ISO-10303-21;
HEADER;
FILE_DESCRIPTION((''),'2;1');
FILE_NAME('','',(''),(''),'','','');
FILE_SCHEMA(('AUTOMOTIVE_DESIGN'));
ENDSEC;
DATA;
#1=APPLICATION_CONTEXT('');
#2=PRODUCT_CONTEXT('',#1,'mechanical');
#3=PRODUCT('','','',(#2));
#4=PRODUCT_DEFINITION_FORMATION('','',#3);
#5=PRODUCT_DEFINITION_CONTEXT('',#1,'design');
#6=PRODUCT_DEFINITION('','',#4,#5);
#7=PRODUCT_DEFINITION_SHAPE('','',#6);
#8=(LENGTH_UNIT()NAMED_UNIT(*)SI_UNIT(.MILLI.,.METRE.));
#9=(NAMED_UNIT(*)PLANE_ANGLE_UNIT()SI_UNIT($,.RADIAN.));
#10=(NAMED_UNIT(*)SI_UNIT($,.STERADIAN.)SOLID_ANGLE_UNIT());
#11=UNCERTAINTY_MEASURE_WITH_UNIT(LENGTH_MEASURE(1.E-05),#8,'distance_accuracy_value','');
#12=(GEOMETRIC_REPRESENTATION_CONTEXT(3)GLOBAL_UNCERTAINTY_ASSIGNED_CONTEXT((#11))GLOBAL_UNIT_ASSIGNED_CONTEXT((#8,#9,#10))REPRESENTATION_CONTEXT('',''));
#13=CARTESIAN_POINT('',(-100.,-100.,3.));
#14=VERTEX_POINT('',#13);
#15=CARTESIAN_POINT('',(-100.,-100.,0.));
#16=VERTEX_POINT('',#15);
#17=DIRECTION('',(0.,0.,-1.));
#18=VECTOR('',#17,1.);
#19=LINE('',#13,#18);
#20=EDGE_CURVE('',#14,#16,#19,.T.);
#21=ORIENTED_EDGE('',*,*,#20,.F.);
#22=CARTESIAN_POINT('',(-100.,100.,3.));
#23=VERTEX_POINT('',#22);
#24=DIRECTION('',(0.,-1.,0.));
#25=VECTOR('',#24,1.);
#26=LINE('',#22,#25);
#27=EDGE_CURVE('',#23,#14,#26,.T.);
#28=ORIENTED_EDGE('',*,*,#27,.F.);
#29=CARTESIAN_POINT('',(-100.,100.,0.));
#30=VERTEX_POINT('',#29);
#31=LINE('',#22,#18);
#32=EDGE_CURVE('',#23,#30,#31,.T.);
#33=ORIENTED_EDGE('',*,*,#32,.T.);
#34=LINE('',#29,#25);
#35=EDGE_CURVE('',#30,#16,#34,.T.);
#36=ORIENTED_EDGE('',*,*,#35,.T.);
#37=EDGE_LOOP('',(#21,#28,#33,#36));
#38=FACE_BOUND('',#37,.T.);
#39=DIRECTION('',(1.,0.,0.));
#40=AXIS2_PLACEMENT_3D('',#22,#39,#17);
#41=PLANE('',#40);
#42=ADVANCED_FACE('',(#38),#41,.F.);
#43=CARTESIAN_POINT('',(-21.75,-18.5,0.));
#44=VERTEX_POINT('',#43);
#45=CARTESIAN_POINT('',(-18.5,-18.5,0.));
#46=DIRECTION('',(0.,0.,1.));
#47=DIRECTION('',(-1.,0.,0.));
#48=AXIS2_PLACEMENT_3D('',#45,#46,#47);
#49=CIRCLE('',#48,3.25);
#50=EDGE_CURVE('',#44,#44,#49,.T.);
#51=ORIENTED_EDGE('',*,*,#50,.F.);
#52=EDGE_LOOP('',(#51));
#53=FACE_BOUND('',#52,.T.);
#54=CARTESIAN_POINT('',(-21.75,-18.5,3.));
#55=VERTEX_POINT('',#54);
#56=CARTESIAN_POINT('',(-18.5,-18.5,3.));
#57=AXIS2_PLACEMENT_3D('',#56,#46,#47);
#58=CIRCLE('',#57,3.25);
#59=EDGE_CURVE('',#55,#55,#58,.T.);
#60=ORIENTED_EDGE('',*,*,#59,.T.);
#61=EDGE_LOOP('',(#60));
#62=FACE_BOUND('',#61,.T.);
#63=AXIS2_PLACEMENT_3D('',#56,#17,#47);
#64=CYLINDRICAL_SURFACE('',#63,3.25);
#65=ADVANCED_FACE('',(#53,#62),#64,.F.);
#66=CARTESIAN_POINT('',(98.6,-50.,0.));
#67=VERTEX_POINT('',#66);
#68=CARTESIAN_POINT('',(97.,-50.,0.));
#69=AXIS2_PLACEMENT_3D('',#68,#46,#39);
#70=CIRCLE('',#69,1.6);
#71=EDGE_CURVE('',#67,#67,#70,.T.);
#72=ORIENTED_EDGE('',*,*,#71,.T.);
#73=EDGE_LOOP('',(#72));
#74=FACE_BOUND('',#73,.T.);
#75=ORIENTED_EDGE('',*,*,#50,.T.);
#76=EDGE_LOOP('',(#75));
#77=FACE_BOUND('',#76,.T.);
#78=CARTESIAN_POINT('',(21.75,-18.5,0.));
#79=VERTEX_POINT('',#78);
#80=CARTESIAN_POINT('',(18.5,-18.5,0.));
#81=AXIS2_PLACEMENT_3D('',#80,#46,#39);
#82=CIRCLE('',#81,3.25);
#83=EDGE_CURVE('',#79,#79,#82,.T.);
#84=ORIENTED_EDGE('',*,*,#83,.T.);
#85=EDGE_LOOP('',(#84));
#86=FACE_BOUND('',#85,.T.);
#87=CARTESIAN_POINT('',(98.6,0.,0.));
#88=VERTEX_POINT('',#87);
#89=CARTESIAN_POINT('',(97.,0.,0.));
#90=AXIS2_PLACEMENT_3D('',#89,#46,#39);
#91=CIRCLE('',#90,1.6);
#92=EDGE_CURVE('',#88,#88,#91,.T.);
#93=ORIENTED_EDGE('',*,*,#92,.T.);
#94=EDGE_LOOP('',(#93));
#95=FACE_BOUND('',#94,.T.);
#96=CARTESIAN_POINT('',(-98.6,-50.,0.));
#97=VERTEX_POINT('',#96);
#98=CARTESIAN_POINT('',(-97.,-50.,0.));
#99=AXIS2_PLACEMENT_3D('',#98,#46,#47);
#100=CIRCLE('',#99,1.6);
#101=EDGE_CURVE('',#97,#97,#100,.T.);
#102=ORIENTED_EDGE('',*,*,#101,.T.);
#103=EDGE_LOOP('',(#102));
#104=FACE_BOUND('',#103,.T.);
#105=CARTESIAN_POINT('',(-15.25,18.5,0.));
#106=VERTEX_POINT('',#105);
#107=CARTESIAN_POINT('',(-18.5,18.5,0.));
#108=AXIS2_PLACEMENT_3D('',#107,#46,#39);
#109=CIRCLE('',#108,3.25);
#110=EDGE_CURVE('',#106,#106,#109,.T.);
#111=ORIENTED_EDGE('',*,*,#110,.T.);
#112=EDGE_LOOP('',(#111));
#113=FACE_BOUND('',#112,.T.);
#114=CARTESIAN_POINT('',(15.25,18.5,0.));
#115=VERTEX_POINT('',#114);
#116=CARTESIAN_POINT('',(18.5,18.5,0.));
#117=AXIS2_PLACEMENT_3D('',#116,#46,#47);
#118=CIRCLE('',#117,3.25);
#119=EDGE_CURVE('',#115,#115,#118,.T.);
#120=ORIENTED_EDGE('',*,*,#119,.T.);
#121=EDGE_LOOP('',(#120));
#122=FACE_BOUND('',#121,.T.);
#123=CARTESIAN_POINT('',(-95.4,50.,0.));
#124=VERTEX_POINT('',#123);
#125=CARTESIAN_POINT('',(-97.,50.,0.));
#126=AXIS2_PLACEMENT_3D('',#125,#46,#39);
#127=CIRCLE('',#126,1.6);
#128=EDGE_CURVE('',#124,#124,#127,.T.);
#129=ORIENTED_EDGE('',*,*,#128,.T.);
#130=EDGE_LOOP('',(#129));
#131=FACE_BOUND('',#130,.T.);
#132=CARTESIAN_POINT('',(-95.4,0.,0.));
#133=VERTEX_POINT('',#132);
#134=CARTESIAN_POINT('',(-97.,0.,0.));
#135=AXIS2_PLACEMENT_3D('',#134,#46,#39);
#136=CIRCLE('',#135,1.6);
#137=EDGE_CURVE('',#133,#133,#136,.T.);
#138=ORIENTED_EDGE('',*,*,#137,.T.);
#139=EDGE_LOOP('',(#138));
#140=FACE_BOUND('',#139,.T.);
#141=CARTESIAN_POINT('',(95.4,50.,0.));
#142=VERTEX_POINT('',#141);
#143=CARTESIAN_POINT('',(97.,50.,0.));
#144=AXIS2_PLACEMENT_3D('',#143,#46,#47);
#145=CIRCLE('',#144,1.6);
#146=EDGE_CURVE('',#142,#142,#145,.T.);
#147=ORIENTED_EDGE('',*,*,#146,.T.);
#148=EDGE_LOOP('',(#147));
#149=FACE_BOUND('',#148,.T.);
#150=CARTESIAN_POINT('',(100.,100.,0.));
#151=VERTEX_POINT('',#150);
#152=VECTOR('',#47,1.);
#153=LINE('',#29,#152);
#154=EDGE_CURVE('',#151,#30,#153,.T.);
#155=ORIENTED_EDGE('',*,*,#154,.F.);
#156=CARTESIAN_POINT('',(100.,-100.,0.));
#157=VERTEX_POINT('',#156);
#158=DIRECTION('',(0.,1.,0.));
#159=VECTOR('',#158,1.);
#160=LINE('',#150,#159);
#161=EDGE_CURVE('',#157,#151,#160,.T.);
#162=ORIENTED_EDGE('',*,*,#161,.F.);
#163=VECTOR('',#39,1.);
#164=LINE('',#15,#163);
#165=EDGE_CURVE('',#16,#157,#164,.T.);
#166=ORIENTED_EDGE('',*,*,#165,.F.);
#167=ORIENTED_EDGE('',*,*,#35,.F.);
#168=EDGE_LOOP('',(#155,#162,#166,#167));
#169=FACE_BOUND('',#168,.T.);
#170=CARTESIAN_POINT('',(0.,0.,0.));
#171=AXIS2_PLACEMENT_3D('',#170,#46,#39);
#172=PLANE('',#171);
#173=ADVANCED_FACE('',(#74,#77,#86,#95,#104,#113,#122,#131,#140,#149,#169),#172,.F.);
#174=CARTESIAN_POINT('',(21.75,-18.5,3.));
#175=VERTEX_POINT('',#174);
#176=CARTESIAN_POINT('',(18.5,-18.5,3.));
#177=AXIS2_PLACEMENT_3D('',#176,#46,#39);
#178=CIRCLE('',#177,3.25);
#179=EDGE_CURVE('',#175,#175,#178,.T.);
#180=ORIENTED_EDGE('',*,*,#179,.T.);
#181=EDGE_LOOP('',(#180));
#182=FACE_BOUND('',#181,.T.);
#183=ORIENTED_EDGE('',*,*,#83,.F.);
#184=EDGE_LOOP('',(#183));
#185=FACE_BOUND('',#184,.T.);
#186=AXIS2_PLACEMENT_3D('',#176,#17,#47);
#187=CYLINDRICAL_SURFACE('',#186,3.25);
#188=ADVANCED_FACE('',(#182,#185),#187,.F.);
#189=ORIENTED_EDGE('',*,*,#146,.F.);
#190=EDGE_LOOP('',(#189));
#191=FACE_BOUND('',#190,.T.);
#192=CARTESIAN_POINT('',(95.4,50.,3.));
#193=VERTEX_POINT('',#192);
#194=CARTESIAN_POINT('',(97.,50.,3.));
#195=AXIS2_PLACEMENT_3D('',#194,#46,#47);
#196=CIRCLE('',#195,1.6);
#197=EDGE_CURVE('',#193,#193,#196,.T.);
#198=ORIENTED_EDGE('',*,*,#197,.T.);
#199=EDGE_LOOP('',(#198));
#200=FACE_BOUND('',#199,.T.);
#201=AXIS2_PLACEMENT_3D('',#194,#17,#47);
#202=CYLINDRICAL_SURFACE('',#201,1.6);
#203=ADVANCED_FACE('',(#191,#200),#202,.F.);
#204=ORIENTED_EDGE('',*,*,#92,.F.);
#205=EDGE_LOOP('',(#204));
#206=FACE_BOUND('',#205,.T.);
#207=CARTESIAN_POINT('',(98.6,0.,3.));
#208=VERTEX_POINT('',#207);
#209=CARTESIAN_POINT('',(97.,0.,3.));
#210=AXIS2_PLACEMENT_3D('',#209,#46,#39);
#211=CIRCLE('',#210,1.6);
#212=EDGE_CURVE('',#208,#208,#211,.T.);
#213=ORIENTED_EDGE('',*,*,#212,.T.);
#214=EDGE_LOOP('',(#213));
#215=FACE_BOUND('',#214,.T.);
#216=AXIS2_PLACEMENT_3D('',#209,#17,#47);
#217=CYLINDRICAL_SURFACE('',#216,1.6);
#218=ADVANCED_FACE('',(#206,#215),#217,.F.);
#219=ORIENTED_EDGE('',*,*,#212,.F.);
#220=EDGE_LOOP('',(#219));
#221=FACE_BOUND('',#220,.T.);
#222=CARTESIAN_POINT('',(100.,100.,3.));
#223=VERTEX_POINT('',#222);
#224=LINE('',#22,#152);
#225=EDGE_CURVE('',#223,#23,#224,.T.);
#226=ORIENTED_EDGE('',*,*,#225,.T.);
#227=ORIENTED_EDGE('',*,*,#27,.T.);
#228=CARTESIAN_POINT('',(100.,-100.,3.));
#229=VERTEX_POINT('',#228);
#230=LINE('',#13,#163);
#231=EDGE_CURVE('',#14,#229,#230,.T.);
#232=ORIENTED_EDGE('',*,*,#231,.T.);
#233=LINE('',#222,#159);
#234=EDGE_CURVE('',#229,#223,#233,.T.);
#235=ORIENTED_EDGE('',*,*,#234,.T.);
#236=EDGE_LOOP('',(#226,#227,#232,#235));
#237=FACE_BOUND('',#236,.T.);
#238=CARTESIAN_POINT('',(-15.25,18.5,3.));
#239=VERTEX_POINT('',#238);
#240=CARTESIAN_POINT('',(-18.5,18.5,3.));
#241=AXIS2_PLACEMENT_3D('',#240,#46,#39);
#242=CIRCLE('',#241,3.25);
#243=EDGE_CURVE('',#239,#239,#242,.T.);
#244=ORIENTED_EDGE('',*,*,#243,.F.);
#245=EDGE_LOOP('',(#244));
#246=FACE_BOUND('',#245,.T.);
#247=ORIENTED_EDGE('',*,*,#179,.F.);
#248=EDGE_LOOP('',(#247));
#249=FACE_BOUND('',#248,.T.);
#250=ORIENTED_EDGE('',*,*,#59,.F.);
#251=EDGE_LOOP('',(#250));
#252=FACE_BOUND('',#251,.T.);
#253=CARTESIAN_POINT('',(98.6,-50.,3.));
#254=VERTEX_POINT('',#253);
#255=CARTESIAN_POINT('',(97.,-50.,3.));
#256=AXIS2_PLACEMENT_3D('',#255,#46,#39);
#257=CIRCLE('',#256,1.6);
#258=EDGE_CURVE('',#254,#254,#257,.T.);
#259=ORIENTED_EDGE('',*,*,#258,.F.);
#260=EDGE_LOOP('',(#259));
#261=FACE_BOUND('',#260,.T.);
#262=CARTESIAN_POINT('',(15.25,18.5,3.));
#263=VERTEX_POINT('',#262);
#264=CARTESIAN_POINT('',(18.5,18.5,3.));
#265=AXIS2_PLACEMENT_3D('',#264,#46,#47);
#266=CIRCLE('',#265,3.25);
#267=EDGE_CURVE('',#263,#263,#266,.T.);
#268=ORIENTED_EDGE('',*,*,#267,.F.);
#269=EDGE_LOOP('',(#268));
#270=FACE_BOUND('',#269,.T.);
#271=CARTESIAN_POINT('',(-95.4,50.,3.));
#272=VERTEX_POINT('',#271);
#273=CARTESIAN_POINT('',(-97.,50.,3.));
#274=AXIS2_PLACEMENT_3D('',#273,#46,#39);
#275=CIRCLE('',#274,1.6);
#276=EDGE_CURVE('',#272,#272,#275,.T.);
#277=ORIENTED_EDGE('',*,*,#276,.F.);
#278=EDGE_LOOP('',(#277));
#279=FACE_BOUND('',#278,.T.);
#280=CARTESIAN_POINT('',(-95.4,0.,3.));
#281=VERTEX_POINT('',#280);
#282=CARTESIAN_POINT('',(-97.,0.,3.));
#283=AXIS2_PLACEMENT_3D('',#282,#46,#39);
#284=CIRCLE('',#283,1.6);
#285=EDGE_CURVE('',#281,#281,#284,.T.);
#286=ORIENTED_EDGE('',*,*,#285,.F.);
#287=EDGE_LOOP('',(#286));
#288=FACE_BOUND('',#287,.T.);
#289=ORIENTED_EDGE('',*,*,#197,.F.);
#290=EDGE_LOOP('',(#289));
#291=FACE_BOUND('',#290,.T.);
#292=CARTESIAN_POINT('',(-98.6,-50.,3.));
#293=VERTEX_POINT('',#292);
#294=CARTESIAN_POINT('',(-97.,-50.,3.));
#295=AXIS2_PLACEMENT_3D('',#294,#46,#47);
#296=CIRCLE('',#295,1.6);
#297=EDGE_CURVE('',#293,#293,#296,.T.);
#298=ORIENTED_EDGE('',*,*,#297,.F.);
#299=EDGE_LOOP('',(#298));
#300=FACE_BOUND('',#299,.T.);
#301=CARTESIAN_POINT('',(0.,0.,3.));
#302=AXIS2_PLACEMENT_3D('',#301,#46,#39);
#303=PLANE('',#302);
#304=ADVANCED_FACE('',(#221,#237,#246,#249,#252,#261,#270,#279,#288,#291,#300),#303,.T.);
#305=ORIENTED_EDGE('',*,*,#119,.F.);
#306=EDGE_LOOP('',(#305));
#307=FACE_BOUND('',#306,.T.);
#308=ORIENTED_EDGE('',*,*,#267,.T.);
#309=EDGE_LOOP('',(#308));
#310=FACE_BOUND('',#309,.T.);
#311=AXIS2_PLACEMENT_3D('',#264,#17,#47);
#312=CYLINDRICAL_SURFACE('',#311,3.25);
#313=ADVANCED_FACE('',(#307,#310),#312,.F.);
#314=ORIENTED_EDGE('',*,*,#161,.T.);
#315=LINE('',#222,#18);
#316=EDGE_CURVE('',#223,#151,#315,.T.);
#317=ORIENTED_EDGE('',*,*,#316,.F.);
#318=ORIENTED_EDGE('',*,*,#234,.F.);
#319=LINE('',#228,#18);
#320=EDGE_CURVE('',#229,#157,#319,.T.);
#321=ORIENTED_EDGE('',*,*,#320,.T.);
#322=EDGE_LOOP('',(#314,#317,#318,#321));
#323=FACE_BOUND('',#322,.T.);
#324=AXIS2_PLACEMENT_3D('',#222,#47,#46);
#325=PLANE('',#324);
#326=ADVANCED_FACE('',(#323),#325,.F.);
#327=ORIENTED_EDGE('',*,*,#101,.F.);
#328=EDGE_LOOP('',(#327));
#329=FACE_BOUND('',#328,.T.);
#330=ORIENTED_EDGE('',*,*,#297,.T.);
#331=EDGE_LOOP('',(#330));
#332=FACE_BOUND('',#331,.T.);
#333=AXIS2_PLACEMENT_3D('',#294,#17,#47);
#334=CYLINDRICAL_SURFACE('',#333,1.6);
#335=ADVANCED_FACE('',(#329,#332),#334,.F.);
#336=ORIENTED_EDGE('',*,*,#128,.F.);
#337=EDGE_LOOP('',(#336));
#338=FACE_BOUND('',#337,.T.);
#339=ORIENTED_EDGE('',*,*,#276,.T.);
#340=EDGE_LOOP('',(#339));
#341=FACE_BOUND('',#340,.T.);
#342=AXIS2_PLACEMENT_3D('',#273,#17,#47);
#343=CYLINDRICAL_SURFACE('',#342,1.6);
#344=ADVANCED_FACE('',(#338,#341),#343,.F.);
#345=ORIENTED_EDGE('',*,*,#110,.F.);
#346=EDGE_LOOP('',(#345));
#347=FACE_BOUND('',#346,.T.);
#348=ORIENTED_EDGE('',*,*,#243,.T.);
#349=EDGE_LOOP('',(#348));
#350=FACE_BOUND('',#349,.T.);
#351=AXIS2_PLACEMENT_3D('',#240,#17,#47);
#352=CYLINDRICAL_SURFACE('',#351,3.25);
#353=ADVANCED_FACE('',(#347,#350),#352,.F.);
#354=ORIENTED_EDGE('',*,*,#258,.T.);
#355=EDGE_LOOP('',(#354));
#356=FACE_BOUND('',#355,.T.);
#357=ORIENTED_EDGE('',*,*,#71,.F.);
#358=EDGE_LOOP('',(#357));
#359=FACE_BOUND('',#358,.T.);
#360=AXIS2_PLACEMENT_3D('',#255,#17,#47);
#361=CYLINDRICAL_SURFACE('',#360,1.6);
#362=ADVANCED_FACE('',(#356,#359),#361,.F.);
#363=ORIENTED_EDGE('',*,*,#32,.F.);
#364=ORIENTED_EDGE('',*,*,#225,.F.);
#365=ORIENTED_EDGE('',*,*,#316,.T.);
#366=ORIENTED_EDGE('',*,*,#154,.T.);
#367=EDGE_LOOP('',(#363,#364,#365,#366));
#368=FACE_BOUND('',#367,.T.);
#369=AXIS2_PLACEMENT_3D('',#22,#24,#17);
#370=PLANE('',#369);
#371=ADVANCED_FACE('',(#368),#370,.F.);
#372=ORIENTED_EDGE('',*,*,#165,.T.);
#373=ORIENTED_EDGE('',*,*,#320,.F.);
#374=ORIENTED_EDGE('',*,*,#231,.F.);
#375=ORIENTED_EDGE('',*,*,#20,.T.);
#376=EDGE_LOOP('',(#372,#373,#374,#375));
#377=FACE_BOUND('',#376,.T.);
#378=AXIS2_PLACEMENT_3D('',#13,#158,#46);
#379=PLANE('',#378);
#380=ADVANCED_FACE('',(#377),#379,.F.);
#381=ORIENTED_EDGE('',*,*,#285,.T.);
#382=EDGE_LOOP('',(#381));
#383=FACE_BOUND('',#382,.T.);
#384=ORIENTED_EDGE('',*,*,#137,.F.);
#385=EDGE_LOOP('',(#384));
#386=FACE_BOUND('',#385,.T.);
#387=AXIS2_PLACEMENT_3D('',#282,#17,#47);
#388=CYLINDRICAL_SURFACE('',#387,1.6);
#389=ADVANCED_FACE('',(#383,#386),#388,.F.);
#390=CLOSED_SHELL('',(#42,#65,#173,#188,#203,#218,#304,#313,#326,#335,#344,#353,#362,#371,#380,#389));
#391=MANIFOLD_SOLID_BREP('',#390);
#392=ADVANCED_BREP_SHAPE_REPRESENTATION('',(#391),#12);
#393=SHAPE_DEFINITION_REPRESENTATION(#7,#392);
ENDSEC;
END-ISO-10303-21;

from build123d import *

# Parameters (mm, degrees)
SKETCH_1_W      = 200
SKETCH_1_H      = 200
SKETCH_1_R      = 3.25
SKETCH_1_R_2    = 1.6
EXTRUDE_1_DEPTH = 3


with BuildPart() as part:
    # 草图1 → 凸台-拉伸1 (new body)
    with BuildSketch(Plane.XY):
        Rectangle(SKETCH_1_W, SKETCH_1_H)
        with Locations((-18.5, 18.5)):
            Circle(SKETCH_1_R, mode=Mode.SUBTRACT)
        with Locations(Location((18.5, 18.5, 0), (0, 0, 180))):
            Circle(SKETCH_1_R, mode=Mode.SUBTRACT)
        with Locations((18.5, -18.5)):
            Circle(SKETCH_1_R, mode=Mode.SUBTRACT)
        with Locations(Location((-18.5, -18.5, 0), (0, 0, 180))):
            Circle(SKETCH_1_R, mode=Mode.SUBTRACT)
        with Locations((97, -50)):
            Circle(SKETCH_1_R_2, mode=Mode.SUBTRACT)
        with Locations(Location((97, 50, 0), (0, 0, 180))):
            Circle(SKETCH_1_R_2, mode=Mode.SUBTRACT)
        with Locations(Location((-97, -50, 0), (0, 0, 180))):
            Circle(SKETCH_1_R_2, mode=Mode.SUBTRACT)
        with Locations((-97, 50)):
            Circle(SKETCH_1_R_2, mode=Mode.SUBTRACT)
        with Locations((-97, 0)):
            Circle(SKETCH_1_R_2, mode=Mode.SUBTRACT)
        with Locations((97, 0)):
            Circle(SKETCH_1_R_2, mode=Mode.SUBTRACT)
    extrude(amount=EXTRUDE_1_DEPTH)


solid = part.part
